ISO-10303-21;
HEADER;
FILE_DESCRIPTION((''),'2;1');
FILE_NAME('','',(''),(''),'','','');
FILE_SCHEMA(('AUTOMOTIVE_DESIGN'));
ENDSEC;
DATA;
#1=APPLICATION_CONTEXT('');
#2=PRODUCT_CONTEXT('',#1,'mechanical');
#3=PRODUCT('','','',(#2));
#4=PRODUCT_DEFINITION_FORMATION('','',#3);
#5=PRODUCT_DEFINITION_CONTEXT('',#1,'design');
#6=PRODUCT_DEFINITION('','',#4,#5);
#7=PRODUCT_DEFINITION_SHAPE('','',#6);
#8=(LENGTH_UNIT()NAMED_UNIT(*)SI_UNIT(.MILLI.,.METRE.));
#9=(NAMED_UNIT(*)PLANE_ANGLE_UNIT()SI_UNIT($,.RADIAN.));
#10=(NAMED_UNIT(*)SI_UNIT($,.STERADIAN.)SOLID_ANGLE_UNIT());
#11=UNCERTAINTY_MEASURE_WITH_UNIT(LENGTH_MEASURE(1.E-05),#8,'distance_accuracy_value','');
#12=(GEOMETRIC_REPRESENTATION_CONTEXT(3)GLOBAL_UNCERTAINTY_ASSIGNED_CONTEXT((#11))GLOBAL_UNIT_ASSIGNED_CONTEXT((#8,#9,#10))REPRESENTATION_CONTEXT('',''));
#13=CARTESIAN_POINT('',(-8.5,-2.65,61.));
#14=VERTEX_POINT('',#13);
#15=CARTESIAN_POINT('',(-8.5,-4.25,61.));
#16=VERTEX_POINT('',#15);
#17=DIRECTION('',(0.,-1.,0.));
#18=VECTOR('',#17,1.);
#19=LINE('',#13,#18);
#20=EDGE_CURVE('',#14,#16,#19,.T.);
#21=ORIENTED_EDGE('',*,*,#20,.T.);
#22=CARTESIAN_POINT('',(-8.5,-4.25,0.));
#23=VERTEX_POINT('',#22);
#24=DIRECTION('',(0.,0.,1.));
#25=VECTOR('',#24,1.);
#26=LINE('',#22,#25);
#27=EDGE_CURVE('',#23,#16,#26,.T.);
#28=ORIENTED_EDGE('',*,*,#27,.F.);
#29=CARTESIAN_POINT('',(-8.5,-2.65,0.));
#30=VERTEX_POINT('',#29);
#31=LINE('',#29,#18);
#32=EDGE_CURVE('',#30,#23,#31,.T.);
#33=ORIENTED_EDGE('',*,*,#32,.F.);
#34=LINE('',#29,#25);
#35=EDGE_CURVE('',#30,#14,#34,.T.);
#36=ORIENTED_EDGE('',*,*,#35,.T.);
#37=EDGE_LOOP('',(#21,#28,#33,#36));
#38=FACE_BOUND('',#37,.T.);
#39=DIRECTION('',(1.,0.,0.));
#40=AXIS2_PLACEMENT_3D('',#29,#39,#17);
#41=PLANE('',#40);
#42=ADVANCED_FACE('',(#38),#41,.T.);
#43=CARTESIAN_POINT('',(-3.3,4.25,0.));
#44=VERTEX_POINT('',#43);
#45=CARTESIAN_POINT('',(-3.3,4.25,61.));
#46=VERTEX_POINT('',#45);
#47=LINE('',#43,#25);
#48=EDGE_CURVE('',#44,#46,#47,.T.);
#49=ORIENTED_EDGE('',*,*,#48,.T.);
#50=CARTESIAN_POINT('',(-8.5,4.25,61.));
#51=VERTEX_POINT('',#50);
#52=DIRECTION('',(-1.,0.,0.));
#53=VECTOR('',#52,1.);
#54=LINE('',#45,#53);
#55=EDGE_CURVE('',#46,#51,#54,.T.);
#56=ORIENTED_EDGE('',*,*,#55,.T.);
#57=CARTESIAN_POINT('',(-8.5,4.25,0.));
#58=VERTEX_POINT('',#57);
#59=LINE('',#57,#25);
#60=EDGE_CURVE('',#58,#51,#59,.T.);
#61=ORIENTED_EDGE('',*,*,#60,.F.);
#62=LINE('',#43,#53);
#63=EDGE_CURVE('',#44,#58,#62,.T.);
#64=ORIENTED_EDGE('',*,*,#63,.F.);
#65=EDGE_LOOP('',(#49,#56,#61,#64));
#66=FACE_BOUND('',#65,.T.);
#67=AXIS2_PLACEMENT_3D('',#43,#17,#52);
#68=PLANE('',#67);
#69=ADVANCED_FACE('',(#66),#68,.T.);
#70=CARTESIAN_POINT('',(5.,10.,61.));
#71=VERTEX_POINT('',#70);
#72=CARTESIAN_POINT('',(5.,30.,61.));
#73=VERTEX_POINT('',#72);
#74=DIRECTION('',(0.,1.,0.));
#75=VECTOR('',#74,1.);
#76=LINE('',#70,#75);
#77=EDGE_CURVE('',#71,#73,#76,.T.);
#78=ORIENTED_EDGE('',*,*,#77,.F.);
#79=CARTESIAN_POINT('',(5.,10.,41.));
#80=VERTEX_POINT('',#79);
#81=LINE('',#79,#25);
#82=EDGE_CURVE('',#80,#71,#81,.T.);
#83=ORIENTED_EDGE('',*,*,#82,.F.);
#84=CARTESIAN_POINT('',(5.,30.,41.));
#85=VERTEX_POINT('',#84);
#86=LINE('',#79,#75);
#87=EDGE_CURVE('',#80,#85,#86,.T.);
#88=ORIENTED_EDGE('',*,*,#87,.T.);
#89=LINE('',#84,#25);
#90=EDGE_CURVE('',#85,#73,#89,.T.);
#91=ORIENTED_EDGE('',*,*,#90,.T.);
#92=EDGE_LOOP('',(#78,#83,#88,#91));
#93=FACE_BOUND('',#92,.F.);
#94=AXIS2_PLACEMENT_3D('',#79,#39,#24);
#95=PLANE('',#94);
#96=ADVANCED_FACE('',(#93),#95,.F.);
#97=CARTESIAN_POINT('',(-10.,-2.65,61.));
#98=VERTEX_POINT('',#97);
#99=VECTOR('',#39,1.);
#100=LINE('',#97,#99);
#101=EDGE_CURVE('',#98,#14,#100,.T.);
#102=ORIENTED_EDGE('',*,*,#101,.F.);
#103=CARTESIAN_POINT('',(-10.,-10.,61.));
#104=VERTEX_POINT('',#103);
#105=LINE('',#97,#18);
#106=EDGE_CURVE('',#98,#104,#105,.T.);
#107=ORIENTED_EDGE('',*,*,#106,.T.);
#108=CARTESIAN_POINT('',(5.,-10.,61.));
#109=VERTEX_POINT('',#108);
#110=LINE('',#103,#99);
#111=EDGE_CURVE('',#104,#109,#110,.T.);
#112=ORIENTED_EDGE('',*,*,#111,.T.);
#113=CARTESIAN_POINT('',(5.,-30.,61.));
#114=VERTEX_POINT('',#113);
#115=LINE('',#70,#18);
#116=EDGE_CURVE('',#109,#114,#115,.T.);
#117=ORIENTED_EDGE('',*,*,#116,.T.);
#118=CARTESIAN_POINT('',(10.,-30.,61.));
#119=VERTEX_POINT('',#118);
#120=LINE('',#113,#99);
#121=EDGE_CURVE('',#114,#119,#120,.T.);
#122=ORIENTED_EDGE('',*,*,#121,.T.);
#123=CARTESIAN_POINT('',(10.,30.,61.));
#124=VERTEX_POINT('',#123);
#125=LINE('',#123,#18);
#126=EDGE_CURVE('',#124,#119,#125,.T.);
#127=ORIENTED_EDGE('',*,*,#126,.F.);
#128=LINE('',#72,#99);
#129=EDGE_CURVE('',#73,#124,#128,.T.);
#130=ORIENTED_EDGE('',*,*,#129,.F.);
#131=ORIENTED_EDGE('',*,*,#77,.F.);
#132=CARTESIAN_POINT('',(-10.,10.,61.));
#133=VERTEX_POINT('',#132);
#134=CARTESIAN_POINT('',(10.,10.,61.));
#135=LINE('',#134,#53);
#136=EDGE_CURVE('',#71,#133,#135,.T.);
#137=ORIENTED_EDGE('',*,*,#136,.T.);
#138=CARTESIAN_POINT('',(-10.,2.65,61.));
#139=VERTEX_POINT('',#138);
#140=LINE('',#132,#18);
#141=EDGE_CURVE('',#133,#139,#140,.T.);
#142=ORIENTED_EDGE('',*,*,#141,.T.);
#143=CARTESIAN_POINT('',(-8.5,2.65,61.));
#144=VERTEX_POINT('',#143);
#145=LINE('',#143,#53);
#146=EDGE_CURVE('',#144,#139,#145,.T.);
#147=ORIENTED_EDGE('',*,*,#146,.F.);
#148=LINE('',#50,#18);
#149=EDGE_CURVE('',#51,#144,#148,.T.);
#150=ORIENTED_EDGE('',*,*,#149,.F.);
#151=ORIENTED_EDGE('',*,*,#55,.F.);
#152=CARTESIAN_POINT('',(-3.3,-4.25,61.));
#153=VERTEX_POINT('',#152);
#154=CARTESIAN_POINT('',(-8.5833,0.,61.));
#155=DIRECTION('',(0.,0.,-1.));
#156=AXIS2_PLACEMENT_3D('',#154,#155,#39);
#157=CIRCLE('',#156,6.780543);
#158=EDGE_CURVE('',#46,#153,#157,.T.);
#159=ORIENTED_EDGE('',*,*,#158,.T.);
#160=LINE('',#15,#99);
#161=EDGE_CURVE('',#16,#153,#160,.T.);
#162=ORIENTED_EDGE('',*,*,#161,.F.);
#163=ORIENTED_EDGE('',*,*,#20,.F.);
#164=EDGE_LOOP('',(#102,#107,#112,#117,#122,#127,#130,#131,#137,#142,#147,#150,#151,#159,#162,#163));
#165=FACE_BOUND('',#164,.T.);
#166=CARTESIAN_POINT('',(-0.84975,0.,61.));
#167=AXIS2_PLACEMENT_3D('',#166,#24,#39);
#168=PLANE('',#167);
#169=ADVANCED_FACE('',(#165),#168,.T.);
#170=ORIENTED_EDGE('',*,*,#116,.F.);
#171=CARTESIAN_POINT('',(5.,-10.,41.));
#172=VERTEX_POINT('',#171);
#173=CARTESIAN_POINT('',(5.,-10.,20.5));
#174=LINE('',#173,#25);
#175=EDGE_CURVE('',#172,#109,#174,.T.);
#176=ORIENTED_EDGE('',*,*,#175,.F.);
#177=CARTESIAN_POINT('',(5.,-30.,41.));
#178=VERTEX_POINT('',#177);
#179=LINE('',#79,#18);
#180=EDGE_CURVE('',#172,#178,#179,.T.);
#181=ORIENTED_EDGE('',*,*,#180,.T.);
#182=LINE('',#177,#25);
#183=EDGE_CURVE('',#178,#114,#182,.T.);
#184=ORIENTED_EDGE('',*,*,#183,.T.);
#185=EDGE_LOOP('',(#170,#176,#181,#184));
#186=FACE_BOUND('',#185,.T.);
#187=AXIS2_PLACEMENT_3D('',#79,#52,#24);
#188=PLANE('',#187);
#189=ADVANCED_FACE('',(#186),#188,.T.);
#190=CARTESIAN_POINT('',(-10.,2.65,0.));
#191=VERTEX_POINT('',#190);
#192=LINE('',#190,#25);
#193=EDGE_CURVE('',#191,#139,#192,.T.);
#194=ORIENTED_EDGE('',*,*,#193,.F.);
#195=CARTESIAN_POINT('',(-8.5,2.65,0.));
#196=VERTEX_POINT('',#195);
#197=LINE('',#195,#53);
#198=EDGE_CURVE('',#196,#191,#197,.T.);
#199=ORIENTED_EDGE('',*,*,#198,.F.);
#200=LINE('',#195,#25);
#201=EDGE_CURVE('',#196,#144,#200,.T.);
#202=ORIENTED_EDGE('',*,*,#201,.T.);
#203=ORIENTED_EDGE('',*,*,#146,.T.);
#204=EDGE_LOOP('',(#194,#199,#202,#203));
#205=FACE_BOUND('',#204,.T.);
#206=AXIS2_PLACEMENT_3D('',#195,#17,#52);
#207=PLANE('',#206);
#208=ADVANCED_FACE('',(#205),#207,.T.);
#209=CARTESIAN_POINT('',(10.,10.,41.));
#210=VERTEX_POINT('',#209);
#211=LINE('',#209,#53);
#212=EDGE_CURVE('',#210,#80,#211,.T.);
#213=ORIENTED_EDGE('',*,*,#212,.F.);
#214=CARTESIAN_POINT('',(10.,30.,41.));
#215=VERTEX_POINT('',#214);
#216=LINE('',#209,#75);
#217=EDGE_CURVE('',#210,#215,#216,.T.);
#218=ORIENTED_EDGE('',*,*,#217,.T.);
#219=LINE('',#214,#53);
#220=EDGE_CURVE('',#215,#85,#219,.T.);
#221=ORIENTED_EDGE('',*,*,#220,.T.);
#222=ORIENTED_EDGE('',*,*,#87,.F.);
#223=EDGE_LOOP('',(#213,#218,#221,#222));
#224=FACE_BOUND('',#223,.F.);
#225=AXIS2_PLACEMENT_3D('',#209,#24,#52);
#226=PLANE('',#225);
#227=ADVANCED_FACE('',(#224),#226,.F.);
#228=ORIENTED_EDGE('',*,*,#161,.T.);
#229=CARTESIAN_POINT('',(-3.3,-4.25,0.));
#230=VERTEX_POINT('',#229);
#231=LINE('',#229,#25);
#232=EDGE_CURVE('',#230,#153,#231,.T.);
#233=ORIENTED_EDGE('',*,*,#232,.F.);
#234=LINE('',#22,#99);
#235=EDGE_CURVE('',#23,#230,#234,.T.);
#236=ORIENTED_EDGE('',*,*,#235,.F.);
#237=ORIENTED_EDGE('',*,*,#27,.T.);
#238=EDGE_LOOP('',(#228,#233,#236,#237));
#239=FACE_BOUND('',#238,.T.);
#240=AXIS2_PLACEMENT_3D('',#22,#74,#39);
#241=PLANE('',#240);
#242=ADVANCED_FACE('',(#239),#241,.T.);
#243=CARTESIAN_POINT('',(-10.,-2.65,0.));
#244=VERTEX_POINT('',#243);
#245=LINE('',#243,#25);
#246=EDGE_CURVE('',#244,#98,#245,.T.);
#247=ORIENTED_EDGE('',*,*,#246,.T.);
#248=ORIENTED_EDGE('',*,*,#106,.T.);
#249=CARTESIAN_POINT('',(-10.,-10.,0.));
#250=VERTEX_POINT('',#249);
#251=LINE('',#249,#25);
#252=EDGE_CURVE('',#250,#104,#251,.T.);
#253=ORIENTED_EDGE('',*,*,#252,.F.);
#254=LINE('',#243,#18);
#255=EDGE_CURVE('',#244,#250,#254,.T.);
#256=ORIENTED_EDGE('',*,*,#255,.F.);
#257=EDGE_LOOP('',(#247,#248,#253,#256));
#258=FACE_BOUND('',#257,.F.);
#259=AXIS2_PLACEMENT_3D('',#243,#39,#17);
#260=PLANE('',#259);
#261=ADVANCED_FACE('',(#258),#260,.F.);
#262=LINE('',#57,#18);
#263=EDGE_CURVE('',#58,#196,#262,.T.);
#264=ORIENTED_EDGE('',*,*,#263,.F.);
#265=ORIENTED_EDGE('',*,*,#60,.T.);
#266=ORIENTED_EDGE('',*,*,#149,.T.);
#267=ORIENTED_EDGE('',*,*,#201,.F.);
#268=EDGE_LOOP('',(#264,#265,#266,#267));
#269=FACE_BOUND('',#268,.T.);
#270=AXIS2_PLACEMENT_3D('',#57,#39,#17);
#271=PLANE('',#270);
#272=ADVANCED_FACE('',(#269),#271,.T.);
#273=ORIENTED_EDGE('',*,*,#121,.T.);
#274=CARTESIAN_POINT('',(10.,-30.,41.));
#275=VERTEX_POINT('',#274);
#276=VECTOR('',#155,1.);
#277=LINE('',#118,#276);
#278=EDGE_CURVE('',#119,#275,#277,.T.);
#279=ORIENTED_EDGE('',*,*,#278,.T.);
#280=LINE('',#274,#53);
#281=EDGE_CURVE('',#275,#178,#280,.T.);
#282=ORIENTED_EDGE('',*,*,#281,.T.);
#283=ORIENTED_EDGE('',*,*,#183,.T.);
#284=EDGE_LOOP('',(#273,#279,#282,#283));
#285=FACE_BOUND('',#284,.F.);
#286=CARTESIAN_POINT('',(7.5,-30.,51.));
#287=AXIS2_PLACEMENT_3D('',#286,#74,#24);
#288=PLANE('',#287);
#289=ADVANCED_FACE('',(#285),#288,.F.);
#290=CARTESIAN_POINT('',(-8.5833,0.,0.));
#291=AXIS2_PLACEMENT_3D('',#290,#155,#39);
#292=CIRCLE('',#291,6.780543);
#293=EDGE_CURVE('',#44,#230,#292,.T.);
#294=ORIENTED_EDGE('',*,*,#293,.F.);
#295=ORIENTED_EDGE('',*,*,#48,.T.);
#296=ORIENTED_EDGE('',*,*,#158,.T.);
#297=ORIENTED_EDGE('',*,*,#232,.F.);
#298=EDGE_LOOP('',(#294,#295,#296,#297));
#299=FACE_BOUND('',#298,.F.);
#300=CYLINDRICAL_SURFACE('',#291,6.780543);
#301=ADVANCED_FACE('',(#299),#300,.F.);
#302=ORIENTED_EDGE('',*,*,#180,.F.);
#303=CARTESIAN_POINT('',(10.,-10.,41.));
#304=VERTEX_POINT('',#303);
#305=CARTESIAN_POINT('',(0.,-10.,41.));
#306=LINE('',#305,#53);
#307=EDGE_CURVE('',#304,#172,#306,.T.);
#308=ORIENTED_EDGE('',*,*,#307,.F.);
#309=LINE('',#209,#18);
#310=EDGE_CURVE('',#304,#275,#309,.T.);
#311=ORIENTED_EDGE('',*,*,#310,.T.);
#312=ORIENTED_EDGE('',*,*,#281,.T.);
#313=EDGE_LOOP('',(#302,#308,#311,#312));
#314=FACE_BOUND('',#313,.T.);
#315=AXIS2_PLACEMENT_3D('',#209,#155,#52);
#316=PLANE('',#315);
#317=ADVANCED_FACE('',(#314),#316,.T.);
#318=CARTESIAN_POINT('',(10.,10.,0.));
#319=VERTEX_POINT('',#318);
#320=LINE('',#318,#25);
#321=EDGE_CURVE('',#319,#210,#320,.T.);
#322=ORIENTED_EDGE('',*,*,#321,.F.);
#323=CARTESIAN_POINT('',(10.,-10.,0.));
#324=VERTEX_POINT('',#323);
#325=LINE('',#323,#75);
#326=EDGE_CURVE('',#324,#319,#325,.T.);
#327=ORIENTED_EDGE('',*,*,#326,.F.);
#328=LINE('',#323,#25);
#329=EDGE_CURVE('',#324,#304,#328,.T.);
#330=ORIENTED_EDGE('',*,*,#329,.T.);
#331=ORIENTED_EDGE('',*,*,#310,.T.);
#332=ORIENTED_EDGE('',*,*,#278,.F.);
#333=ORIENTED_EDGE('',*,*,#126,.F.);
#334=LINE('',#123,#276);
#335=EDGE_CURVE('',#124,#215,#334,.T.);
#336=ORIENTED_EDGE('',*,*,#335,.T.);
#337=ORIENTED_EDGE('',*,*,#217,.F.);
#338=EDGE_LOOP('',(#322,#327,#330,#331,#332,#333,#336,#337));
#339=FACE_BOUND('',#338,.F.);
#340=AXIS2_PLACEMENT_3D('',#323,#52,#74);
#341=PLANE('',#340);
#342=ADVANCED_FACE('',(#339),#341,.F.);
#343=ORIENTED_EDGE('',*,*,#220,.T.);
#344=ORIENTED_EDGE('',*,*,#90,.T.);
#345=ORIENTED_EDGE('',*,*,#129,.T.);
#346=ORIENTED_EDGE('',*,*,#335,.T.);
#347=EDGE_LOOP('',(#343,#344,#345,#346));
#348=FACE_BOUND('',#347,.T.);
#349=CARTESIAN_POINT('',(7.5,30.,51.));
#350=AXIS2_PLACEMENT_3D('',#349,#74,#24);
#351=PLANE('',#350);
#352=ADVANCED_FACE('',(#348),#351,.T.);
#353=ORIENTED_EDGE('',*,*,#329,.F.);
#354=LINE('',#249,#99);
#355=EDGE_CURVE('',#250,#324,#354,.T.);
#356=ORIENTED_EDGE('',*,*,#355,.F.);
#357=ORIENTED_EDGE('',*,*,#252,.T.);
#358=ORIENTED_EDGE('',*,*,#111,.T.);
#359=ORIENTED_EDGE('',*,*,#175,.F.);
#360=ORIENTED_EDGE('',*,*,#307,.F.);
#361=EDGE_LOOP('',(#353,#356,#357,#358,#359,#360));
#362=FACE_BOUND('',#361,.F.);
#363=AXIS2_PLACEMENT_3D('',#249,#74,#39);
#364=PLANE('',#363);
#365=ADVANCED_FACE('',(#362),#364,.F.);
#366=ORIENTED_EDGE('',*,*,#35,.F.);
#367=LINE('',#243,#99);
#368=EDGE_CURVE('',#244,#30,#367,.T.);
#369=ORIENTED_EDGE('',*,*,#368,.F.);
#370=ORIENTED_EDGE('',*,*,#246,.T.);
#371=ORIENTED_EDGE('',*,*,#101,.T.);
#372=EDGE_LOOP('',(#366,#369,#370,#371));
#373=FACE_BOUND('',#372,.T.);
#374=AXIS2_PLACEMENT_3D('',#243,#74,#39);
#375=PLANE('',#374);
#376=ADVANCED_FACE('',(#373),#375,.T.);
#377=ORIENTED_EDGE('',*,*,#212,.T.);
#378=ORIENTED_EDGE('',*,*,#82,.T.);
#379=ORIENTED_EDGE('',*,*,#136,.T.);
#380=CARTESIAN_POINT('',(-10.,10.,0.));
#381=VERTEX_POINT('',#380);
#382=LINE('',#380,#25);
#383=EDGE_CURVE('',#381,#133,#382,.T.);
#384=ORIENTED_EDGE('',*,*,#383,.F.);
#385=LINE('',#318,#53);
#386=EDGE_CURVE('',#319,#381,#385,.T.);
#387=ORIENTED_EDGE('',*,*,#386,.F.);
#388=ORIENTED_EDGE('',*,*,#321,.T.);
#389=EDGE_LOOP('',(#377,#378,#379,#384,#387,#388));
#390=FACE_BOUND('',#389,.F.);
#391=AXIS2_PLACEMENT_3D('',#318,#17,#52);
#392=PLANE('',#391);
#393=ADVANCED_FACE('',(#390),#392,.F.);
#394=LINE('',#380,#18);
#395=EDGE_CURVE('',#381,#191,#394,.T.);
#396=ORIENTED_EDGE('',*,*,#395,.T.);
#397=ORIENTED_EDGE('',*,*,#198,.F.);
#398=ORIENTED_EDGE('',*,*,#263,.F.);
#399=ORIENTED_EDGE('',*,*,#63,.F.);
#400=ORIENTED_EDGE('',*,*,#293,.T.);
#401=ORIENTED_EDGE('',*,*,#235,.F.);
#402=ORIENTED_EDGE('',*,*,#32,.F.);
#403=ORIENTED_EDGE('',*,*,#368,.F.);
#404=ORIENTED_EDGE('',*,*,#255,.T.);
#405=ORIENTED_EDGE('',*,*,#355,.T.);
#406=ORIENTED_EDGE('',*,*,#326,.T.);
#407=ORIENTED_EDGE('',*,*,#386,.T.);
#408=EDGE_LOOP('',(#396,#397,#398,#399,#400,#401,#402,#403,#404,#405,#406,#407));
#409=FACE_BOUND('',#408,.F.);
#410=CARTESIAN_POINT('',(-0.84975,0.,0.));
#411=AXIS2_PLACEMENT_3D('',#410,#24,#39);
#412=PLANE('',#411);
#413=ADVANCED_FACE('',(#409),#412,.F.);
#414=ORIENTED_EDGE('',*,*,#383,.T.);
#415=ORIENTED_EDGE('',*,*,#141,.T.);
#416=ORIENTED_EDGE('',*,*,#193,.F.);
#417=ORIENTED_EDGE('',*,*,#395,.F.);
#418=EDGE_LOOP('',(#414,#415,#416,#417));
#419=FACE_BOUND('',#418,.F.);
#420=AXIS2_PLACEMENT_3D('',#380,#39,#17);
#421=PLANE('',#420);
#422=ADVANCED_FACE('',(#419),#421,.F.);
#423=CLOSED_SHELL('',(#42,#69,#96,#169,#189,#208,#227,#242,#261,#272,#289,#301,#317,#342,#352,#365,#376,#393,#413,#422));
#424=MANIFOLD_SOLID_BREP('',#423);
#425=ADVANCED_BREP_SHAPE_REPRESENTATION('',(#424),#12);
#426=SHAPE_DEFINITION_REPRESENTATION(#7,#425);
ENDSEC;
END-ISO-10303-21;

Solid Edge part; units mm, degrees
sketch "Sketch1" plane through (0, 0, 0) normal (0, 0, 1) x (1, 0, 0)
  line L0 (-10, -10) -> (10, -10)
  line L1 (10, -10) -> (10, 10)
  line L2 (10, 10) -> (-10, 10)
  line L3 (-10, 10) -> (-10, 2.65)
  line L4 (-8.5, 2.65) -> (-10, 2.65)
  line L5 (-8.5, 4.25) -> (-8.5, 2.65)
  line L6 (-3.3, 4.25) -> (-8.5, 4.25)
  arc A0 (-3.3, 4.25) -> (-3.3, -4.25) centre (-8.5833, 0) cw
  line L7 (-8.5, -4.25) -> (-3.3, -4.25)
  line L8 (-8.5, -2.65) -> (-8.5, -4.25)
  line L9 (-10, -2.65) -> (-8.5, -2.65)
  line L10 (-10, -2.65) -> (-10, -10)
extrude "Protrusion1" add sketch "Sketch1" along normal blind 61
sketch "Sketch2" plane through (0, 10, 30.5) normal (0, 1, 0) x (-1, 0, 0)
  line L0 (-10, 30.5) -> (-10, 10.5)
  line L1 (-10, 10.5) -> (-5, 10.5)
  line L2 (-5, 10.5) -> (-5, 30.5)
  line L3 (-5, 30.5) -> (-10, 30.5)
extrude "Protrusion2" add sketch "Sketch2" along normal blind 20
sketch "Sketch3" plane through (0, 10, 30.5) normal (0, 1, 0) x (-1, 0, 0)
  line L0 (-5, 10.5) -> (-5, 30.5)
  line L1 (-5, 30.5) -> (-10, 30.5)
  line L2 (-10, 30.5) -> (-10, 10.5)
  line L3 (-10, 10.5) -> (-5, 10.5)
extrude "Protrusion3" add sketch "Sketch3" against normal blind 40
